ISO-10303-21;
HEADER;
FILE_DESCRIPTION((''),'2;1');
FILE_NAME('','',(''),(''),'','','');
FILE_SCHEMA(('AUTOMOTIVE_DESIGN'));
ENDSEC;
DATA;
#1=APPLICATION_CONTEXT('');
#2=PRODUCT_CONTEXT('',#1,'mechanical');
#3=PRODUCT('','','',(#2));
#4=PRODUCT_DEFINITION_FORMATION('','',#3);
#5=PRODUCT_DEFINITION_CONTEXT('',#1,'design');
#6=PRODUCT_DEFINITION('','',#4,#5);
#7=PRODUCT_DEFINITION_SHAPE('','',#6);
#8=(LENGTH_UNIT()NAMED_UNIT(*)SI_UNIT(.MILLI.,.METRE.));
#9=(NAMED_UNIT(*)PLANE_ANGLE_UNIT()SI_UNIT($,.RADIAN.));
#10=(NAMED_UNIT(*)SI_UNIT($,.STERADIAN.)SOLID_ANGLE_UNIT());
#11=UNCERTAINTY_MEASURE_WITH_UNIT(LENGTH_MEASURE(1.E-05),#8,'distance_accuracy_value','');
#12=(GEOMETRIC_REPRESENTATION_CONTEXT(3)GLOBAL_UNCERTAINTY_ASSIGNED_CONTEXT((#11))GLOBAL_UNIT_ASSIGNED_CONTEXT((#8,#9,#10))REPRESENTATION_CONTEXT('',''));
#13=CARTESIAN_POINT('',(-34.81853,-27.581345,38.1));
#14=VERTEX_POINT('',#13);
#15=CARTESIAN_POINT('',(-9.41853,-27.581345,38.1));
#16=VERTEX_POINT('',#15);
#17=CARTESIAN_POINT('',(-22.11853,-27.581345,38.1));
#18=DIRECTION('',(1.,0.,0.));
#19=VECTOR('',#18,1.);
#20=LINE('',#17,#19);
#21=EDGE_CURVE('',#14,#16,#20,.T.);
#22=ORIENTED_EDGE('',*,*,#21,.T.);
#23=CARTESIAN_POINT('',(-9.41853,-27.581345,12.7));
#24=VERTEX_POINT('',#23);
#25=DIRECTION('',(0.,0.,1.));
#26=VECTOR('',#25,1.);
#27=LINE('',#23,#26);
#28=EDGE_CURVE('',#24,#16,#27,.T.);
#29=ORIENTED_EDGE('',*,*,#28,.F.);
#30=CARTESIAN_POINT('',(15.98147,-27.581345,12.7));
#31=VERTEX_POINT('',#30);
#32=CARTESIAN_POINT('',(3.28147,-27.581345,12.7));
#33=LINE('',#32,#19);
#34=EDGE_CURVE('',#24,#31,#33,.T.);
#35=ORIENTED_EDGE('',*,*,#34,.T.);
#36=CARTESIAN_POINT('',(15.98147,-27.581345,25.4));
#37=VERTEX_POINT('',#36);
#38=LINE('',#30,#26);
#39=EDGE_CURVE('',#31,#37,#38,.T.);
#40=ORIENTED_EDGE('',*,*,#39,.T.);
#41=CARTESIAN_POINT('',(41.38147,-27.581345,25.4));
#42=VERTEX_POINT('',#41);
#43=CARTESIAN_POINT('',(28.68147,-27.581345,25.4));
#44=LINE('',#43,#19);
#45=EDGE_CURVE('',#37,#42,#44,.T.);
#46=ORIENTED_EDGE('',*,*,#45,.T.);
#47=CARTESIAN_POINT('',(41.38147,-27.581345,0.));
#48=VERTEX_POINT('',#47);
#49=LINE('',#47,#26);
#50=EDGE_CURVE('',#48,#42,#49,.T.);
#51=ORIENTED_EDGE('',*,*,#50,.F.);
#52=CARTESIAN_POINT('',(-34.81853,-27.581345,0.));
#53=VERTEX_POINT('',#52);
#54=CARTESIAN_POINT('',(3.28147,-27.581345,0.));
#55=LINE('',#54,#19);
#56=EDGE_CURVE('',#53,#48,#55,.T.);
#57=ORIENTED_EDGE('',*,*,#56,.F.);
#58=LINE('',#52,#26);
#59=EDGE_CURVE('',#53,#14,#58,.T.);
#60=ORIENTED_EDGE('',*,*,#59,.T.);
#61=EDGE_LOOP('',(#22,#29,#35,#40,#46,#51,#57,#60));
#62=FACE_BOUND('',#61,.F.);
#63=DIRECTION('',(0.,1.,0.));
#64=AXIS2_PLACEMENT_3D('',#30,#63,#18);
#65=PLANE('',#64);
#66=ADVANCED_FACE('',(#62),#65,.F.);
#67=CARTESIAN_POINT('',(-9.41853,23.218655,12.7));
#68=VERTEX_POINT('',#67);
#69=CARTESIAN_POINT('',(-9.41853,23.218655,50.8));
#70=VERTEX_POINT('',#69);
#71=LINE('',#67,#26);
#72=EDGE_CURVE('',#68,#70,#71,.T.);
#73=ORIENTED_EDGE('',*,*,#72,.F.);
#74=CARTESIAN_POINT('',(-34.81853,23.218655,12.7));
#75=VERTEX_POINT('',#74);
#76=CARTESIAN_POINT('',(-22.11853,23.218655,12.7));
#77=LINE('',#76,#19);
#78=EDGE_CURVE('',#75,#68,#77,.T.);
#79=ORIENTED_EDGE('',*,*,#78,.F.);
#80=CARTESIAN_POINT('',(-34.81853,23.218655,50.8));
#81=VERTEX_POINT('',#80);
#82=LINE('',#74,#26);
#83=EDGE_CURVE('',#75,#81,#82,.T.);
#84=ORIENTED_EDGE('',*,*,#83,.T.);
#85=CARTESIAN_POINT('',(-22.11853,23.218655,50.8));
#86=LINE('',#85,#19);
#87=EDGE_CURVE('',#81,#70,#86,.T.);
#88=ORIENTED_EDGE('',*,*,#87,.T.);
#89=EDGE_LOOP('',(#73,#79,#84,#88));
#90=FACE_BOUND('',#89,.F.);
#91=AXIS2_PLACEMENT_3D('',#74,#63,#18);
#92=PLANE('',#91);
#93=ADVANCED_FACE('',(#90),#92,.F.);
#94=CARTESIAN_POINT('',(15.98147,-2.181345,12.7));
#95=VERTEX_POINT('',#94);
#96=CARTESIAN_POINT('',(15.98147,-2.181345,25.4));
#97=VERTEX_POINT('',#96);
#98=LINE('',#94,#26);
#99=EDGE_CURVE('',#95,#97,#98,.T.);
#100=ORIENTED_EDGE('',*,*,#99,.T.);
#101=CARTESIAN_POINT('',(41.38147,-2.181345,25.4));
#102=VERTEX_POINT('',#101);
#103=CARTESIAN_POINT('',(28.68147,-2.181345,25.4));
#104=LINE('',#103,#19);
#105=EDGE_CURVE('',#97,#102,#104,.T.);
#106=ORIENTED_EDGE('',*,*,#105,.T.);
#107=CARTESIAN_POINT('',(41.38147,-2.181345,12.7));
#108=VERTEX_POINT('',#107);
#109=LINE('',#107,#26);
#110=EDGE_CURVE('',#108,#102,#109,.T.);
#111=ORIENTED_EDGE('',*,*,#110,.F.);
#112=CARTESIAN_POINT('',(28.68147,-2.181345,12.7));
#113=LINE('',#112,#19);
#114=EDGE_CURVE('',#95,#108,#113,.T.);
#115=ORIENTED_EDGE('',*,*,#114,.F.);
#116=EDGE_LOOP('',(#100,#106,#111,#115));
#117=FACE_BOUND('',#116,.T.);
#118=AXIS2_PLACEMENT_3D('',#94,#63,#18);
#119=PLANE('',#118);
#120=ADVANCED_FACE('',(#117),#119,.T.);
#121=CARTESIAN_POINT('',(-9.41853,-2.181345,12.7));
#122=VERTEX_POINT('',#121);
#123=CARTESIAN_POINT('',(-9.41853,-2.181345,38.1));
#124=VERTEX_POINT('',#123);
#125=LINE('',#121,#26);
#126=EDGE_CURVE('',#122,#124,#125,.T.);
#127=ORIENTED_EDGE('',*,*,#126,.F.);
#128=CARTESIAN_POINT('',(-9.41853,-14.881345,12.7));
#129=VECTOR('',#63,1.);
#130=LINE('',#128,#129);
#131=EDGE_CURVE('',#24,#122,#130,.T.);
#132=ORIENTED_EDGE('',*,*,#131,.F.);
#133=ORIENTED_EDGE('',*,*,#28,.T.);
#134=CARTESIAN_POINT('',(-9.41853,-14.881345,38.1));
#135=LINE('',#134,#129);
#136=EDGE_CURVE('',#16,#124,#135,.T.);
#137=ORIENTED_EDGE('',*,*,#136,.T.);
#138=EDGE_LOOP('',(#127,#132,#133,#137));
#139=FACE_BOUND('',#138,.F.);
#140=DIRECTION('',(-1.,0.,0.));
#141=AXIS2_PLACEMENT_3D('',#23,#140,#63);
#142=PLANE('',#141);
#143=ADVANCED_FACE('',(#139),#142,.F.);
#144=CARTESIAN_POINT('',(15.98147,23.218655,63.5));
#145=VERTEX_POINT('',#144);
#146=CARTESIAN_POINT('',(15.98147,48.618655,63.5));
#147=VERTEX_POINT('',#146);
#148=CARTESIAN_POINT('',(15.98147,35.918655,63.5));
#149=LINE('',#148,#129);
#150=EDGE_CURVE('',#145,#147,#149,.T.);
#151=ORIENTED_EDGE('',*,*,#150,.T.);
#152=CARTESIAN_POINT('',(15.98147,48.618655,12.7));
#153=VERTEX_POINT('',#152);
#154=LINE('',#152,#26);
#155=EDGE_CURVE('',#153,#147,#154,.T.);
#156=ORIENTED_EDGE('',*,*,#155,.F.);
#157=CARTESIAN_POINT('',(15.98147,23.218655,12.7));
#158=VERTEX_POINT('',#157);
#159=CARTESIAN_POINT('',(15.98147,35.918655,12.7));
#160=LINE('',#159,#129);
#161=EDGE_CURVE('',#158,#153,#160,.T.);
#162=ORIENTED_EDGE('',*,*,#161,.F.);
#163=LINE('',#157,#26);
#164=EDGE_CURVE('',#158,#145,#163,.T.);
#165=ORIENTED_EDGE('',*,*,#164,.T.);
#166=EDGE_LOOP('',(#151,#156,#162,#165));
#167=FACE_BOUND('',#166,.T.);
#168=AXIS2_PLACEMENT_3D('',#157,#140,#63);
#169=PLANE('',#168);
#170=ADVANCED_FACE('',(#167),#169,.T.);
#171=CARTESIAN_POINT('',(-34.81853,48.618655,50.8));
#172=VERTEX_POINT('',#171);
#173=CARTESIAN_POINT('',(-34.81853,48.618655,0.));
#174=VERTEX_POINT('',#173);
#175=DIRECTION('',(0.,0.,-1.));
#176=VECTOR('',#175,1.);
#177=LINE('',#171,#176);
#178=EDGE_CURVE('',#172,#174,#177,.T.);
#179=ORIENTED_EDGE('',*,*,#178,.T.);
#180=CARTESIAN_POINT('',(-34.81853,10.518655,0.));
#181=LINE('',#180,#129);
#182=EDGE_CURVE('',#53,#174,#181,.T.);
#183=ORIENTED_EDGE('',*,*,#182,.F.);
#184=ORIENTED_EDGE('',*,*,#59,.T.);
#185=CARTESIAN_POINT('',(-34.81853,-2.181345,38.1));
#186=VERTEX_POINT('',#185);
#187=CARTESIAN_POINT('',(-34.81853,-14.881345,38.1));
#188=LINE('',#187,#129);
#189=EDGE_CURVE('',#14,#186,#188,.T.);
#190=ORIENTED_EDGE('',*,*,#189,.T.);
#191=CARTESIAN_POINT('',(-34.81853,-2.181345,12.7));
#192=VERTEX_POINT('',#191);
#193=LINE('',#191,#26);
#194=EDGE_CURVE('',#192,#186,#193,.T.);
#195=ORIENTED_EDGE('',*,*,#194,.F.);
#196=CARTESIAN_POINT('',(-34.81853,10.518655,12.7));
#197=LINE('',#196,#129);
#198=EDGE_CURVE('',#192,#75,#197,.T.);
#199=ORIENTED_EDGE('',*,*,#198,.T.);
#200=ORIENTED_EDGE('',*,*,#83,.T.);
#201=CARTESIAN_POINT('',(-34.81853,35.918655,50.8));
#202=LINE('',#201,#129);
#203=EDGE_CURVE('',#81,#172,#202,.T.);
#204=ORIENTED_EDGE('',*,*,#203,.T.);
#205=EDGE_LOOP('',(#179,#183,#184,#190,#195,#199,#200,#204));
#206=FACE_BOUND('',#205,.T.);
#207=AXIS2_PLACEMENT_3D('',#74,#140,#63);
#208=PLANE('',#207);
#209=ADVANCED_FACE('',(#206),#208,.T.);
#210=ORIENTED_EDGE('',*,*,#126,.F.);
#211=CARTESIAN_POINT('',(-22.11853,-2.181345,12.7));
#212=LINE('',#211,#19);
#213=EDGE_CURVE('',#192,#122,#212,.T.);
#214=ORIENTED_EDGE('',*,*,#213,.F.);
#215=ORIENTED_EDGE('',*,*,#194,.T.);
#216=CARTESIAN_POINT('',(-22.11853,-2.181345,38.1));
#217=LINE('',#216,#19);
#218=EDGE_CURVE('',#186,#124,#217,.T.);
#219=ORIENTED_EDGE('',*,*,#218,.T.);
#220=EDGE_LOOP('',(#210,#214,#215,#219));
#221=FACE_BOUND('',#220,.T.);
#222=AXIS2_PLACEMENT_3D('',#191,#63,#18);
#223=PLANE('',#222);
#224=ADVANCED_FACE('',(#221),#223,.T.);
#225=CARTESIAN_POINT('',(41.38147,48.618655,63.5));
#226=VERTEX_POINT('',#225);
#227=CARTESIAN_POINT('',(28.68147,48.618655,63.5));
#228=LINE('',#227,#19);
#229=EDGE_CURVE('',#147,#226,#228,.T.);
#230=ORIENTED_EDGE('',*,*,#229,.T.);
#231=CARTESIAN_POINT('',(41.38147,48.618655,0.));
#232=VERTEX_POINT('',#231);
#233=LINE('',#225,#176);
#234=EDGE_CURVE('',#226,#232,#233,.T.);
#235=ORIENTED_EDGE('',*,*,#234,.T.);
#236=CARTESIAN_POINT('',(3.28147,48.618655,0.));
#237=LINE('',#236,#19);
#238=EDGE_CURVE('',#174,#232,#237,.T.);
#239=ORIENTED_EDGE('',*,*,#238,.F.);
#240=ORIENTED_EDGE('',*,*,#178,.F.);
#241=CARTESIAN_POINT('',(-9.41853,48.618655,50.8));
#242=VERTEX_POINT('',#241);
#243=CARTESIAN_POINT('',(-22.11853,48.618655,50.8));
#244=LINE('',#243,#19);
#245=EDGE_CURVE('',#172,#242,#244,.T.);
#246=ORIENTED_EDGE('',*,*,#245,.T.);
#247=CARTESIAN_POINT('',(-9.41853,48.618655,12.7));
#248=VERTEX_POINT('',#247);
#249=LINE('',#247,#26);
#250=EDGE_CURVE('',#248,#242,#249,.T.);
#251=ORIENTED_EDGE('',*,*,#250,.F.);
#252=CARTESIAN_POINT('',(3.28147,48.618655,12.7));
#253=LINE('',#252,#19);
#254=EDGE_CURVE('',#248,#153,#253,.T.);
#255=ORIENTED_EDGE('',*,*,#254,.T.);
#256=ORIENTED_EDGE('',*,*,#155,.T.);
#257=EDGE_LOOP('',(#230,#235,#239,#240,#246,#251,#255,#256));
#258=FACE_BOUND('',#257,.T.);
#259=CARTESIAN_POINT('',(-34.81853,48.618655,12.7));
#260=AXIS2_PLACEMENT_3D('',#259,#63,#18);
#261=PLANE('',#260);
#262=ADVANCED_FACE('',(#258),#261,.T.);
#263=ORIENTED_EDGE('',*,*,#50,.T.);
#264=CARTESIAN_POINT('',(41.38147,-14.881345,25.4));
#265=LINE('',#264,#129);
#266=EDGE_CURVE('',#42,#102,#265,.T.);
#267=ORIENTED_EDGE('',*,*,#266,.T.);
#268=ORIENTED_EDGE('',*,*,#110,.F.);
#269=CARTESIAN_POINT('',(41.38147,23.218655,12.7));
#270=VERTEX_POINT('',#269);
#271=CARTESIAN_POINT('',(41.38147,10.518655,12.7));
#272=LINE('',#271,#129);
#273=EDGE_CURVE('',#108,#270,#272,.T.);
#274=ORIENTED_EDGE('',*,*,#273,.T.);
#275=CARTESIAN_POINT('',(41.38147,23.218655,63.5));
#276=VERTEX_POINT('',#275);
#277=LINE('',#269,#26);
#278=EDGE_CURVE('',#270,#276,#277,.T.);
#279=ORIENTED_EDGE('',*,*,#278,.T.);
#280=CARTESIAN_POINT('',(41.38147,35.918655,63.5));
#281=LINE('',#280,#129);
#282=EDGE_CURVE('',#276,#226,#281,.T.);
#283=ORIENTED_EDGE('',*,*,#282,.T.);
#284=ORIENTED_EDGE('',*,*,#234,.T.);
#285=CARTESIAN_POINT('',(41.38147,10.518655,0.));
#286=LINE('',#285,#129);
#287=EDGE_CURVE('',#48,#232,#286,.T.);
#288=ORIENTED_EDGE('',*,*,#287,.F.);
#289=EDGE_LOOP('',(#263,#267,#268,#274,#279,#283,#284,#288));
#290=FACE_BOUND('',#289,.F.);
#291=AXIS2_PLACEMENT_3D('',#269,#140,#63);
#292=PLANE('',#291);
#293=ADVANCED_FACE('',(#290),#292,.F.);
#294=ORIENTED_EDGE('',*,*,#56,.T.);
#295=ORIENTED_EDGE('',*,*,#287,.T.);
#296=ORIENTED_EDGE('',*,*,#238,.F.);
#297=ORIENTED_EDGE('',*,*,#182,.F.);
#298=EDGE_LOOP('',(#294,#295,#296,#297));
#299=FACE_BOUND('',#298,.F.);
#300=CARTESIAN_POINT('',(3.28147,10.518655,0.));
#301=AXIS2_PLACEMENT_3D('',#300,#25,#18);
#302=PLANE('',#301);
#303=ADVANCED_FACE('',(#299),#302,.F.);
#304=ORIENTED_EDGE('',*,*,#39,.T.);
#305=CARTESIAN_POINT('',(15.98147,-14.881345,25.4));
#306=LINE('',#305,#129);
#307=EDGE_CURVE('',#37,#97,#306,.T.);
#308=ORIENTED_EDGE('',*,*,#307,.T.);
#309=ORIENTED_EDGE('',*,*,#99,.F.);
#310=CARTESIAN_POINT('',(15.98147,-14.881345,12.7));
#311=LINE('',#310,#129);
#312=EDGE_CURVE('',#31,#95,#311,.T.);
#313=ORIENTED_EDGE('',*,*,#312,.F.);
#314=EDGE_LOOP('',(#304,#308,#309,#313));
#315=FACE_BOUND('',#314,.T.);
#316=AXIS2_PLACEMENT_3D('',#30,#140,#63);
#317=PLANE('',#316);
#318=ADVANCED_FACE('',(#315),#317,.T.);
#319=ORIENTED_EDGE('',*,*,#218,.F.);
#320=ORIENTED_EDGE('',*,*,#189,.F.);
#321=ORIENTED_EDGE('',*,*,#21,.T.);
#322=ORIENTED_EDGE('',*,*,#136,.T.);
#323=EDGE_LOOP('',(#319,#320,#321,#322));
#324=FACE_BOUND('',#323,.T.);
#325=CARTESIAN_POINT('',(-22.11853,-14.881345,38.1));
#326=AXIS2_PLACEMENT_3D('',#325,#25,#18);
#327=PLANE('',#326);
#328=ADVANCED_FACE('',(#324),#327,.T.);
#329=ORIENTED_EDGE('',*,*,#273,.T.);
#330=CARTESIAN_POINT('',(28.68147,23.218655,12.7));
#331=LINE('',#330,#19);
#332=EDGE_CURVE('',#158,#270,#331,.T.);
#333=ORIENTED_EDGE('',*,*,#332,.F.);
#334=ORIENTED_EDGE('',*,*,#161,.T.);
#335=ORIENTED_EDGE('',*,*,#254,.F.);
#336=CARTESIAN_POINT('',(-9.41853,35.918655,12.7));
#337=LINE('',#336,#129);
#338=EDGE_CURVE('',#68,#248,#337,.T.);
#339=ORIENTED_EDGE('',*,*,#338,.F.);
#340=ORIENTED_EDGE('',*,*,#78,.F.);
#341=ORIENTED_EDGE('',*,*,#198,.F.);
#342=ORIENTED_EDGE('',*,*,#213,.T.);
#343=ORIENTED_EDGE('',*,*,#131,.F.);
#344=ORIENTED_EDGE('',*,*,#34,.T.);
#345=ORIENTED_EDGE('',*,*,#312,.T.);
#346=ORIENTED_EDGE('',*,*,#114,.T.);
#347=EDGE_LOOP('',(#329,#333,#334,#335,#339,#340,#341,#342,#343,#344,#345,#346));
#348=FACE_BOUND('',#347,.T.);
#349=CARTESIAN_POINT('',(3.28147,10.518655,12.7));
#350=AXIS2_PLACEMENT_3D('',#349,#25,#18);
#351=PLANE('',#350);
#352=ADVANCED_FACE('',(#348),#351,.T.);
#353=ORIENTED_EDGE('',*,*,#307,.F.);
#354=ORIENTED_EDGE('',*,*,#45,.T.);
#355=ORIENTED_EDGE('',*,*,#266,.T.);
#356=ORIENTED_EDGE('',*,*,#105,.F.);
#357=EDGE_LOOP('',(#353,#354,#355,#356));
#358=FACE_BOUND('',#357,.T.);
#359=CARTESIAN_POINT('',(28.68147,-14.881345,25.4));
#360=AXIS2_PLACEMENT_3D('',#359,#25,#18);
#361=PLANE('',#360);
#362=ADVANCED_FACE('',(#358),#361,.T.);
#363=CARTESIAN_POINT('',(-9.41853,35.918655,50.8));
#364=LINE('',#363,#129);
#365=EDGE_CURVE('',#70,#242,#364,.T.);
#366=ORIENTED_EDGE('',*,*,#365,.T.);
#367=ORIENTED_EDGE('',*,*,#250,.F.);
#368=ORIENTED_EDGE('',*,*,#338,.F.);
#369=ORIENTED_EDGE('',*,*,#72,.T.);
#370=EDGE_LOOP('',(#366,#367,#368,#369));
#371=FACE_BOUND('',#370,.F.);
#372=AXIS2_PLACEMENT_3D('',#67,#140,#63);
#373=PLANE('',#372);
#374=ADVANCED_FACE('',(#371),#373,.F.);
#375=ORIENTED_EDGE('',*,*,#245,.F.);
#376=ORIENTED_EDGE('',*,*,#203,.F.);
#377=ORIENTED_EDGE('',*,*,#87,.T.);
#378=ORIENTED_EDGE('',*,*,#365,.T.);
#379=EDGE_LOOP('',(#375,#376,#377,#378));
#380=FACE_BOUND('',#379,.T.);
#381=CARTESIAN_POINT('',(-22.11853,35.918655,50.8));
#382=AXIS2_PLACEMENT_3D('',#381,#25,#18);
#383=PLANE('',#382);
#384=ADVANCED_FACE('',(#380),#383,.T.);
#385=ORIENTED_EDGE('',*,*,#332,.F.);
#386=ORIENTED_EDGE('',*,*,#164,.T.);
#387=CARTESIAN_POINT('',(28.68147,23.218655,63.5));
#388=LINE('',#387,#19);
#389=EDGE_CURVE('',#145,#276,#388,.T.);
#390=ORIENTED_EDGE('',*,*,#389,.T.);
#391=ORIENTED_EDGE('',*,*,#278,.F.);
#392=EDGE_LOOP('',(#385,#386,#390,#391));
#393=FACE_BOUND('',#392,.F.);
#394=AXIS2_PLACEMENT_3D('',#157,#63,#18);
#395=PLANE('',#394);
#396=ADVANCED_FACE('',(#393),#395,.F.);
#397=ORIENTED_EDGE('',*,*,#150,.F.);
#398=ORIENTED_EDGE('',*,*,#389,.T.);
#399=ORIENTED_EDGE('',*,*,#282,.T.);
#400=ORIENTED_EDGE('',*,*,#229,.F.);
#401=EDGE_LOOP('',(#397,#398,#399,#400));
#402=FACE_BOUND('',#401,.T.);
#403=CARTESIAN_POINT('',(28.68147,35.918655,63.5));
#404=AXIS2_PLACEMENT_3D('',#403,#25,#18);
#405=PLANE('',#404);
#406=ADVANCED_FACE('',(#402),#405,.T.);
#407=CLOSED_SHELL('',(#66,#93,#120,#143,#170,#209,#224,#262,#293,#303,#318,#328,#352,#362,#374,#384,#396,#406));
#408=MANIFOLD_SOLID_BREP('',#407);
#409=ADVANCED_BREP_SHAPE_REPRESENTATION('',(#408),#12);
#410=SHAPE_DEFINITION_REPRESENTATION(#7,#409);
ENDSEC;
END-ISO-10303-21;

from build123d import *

# Parameters (mm, degrees)
F0_W     = 76.2
F0_H     = 76.2
F1_DEPTH = 12.7
F2_W     = 25.4
F2_H     = 25.4
F3_DEPTH = 25.4
F4_DEPTH = 12.7
F5_DEPTH = 50.8
F6_DEPTH = 38.1


with BuildPart() as f1:
    # F0 (on Top) → F1 (new body)
    with BuildSketch(Plane.XY):
        with Locations((3.28147, 10.518655)):
            Rectangle(F0_W, F0_H)
    extrude(amount=F1_DEPTH)

    # F2 (on face) → F3 (join)
    with BuildSketch(Plane.XY.offset(12.7)):
        with Locations((-22.11853, -14.881345)):
            Rectangle(F2_W, F2_H)
    extrude(amount=F3_DEPTH)

    # F2 (on face) → F4 (join)
    with BuildSketch(Plane.XY.offset(12.7)):
        with Locations((28.68147, -14.881345)):
            Rectangle(F2_W, F2_H)
    extrude(amount=F4_DEPTH)

    # F2 (on face) → F5 (join)
    with BuildSketch(Plane.XY.offset(12.7)):
        with Locations((28.68147, 35.918655)):
            Rectangle(F2_W, F2_H)
    extrude(amount=F5_DEPTH)

    # F2 (on face) → F6 (join)
    with BuildSketch(Plane.XY.offset(12.7)):
        with Locations((-22.11853, 35.918655)):
            Rectangle(F2_W, F2_H)
    extrude(amount=F6_DEPTH)


solid = f1.part
